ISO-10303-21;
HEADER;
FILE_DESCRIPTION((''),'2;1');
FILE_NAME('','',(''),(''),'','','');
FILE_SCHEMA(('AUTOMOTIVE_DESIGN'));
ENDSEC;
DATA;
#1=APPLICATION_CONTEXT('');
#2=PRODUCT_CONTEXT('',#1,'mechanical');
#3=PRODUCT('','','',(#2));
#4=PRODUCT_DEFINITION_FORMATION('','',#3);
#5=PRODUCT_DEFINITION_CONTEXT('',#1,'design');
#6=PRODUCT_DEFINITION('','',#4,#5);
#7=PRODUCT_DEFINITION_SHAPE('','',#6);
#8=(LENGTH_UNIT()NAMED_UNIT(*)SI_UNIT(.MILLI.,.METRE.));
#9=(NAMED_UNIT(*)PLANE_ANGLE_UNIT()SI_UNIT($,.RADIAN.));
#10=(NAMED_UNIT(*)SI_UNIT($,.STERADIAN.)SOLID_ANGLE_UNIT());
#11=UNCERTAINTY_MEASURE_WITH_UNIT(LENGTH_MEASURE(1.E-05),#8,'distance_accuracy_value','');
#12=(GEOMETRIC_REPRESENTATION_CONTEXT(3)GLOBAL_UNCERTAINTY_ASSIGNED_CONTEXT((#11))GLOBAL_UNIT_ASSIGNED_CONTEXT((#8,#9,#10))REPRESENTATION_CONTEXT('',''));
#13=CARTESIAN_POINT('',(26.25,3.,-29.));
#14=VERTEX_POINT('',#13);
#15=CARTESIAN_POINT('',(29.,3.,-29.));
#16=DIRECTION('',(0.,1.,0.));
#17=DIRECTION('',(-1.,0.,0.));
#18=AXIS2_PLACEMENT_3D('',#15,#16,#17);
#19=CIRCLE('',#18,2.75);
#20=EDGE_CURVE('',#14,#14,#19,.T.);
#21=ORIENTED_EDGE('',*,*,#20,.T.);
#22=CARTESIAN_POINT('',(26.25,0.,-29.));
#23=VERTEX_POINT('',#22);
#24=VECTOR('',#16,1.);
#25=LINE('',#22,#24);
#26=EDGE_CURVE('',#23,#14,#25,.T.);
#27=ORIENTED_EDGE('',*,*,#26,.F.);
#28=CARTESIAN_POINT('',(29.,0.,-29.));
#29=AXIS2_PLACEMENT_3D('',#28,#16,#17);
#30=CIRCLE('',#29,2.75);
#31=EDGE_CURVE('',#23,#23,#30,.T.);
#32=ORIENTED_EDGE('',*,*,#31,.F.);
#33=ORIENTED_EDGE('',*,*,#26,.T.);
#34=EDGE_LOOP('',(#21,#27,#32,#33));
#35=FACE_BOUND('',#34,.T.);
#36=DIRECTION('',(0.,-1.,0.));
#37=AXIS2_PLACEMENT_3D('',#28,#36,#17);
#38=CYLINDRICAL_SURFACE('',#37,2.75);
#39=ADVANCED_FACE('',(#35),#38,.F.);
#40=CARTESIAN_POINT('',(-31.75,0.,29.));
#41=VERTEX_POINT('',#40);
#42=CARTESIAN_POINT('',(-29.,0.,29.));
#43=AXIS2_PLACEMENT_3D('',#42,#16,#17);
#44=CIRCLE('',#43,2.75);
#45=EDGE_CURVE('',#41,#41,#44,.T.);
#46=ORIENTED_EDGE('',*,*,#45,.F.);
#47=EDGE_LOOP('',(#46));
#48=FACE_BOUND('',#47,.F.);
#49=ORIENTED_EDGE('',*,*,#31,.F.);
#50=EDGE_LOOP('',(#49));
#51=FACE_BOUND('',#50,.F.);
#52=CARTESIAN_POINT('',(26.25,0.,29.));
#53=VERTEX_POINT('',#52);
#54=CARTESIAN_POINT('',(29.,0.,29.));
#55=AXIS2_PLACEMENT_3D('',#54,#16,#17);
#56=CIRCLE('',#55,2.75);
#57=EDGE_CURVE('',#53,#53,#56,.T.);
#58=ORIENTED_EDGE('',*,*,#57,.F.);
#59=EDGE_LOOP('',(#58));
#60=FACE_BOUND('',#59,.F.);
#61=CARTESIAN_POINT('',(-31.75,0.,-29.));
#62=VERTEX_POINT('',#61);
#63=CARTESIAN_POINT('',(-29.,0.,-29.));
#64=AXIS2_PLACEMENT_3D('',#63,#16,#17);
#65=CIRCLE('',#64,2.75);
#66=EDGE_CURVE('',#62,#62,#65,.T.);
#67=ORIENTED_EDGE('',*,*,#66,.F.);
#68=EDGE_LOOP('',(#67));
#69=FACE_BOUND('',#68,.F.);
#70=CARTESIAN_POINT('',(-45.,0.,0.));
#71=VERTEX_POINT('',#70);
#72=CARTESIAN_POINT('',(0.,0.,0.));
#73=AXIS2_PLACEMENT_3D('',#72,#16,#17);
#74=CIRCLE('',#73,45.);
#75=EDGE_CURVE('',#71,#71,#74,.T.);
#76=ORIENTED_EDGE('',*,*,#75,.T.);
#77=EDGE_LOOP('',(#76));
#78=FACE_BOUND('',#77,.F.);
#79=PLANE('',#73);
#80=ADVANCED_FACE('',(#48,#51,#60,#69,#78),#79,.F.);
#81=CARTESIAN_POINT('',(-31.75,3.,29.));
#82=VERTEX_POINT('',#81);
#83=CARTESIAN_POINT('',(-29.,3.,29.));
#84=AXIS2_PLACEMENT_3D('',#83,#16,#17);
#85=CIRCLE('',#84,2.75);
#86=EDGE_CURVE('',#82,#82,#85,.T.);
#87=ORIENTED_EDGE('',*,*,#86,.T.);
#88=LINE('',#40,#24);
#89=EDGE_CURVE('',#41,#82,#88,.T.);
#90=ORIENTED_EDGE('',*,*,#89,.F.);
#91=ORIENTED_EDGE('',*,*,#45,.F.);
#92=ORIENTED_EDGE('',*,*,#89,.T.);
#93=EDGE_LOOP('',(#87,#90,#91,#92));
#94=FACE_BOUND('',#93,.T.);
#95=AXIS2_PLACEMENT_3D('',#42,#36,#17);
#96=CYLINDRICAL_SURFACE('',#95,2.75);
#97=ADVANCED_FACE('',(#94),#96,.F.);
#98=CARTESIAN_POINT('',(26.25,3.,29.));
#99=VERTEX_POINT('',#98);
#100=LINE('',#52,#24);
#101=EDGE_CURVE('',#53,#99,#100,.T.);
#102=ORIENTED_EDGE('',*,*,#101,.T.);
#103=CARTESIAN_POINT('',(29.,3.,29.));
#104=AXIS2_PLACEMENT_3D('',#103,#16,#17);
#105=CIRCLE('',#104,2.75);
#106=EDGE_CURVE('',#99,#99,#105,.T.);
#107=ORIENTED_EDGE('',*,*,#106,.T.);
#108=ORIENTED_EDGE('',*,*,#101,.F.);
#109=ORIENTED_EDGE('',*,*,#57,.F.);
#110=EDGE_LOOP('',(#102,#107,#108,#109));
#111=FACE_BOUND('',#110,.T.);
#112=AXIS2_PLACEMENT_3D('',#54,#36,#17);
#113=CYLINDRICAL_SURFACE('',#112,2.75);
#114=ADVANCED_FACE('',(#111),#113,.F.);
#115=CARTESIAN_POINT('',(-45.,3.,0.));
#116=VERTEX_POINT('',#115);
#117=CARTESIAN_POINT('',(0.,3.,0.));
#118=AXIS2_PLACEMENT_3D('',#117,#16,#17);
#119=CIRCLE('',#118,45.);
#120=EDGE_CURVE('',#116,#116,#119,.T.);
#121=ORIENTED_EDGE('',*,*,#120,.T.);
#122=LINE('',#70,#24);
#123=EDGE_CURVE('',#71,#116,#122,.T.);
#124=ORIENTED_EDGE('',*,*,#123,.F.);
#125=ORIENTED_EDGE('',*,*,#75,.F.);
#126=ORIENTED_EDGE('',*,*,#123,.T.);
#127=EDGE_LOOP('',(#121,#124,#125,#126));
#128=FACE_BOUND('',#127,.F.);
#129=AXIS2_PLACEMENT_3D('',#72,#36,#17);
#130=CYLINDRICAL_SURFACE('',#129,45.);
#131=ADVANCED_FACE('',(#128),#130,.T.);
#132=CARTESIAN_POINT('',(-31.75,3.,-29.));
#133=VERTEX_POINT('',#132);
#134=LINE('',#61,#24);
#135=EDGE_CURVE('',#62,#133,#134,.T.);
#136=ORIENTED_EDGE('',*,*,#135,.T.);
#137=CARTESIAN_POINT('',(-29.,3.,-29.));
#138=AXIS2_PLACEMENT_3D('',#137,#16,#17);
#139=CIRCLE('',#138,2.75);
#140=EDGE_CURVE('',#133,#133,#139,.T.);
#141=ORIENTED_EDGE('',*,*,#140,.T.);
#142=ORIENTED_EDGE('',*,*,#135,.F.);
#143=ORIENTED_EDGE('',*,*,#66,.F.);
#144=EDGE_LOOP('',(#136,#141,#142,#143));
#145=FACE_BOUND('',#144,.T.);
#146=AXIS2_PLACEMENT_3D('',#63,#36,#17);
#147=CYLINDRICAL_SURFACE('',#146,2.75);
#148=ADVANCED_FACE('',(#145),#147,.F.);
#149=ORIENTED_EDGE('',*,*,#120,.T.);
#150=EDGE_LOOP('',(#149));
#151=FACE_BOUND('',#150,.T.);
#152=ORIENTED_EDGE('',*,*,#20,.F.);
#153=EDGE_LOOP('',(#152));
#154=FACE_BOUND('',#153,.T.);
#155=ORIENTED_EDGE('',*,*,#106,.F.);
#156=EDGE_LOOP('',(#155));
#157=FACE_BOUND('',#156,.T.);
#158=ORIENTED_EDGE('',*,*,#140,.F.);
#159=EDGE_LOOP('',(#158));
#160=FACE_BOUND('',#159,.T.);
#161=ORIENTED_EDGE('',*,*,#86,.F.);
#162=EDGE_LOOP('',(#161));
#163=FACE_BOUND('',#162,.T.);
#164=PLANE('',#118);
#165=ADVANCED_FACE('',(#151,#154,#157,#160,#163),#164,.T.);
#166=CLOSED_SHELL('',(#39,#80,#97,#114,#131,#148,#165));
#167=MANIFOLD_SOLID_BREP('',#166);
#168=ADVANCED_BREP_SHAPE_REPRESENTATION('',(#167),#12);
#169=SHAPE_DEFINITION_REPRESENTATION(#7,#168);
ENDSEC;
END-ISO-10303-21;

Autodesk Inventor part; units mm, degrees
ref_plane "YZ Plane" through (0, 0, 0) normal (1, 0, 0) x (0, 1, 0)
ref_plane "XZ Plane" through (0, 0, 0) normal (0, 1, 0) x (-1, 0, 0)
ref_plane "XY Plane" through (0, 0, 0) normal (0, 0, 1) x (1, 0, 0)
sketch "Sketch1" plane through (0, 0, 0) normal (0, 1, 0) x (-1, 0, 0)
  circle A0 centre (0, 0) radius 45
  circle A1 centre (29, 29) radius 2.75
  circle A2 centre (-29, 29) radius 2.75
  circle A3 centre (-29, -29) radius 2.75
  circle A4 centre (29, -29) radius 2.75
  dimension "d0" = 90
  dimension "d1" = 5.5
  dimension "d2" = 29
  dimension "d3" = 29
  dimension "d6" = 360
extrude "Extrusion1" add sketch "Sketch1" along normal blind 3
properties part number "DisplayGlass"
